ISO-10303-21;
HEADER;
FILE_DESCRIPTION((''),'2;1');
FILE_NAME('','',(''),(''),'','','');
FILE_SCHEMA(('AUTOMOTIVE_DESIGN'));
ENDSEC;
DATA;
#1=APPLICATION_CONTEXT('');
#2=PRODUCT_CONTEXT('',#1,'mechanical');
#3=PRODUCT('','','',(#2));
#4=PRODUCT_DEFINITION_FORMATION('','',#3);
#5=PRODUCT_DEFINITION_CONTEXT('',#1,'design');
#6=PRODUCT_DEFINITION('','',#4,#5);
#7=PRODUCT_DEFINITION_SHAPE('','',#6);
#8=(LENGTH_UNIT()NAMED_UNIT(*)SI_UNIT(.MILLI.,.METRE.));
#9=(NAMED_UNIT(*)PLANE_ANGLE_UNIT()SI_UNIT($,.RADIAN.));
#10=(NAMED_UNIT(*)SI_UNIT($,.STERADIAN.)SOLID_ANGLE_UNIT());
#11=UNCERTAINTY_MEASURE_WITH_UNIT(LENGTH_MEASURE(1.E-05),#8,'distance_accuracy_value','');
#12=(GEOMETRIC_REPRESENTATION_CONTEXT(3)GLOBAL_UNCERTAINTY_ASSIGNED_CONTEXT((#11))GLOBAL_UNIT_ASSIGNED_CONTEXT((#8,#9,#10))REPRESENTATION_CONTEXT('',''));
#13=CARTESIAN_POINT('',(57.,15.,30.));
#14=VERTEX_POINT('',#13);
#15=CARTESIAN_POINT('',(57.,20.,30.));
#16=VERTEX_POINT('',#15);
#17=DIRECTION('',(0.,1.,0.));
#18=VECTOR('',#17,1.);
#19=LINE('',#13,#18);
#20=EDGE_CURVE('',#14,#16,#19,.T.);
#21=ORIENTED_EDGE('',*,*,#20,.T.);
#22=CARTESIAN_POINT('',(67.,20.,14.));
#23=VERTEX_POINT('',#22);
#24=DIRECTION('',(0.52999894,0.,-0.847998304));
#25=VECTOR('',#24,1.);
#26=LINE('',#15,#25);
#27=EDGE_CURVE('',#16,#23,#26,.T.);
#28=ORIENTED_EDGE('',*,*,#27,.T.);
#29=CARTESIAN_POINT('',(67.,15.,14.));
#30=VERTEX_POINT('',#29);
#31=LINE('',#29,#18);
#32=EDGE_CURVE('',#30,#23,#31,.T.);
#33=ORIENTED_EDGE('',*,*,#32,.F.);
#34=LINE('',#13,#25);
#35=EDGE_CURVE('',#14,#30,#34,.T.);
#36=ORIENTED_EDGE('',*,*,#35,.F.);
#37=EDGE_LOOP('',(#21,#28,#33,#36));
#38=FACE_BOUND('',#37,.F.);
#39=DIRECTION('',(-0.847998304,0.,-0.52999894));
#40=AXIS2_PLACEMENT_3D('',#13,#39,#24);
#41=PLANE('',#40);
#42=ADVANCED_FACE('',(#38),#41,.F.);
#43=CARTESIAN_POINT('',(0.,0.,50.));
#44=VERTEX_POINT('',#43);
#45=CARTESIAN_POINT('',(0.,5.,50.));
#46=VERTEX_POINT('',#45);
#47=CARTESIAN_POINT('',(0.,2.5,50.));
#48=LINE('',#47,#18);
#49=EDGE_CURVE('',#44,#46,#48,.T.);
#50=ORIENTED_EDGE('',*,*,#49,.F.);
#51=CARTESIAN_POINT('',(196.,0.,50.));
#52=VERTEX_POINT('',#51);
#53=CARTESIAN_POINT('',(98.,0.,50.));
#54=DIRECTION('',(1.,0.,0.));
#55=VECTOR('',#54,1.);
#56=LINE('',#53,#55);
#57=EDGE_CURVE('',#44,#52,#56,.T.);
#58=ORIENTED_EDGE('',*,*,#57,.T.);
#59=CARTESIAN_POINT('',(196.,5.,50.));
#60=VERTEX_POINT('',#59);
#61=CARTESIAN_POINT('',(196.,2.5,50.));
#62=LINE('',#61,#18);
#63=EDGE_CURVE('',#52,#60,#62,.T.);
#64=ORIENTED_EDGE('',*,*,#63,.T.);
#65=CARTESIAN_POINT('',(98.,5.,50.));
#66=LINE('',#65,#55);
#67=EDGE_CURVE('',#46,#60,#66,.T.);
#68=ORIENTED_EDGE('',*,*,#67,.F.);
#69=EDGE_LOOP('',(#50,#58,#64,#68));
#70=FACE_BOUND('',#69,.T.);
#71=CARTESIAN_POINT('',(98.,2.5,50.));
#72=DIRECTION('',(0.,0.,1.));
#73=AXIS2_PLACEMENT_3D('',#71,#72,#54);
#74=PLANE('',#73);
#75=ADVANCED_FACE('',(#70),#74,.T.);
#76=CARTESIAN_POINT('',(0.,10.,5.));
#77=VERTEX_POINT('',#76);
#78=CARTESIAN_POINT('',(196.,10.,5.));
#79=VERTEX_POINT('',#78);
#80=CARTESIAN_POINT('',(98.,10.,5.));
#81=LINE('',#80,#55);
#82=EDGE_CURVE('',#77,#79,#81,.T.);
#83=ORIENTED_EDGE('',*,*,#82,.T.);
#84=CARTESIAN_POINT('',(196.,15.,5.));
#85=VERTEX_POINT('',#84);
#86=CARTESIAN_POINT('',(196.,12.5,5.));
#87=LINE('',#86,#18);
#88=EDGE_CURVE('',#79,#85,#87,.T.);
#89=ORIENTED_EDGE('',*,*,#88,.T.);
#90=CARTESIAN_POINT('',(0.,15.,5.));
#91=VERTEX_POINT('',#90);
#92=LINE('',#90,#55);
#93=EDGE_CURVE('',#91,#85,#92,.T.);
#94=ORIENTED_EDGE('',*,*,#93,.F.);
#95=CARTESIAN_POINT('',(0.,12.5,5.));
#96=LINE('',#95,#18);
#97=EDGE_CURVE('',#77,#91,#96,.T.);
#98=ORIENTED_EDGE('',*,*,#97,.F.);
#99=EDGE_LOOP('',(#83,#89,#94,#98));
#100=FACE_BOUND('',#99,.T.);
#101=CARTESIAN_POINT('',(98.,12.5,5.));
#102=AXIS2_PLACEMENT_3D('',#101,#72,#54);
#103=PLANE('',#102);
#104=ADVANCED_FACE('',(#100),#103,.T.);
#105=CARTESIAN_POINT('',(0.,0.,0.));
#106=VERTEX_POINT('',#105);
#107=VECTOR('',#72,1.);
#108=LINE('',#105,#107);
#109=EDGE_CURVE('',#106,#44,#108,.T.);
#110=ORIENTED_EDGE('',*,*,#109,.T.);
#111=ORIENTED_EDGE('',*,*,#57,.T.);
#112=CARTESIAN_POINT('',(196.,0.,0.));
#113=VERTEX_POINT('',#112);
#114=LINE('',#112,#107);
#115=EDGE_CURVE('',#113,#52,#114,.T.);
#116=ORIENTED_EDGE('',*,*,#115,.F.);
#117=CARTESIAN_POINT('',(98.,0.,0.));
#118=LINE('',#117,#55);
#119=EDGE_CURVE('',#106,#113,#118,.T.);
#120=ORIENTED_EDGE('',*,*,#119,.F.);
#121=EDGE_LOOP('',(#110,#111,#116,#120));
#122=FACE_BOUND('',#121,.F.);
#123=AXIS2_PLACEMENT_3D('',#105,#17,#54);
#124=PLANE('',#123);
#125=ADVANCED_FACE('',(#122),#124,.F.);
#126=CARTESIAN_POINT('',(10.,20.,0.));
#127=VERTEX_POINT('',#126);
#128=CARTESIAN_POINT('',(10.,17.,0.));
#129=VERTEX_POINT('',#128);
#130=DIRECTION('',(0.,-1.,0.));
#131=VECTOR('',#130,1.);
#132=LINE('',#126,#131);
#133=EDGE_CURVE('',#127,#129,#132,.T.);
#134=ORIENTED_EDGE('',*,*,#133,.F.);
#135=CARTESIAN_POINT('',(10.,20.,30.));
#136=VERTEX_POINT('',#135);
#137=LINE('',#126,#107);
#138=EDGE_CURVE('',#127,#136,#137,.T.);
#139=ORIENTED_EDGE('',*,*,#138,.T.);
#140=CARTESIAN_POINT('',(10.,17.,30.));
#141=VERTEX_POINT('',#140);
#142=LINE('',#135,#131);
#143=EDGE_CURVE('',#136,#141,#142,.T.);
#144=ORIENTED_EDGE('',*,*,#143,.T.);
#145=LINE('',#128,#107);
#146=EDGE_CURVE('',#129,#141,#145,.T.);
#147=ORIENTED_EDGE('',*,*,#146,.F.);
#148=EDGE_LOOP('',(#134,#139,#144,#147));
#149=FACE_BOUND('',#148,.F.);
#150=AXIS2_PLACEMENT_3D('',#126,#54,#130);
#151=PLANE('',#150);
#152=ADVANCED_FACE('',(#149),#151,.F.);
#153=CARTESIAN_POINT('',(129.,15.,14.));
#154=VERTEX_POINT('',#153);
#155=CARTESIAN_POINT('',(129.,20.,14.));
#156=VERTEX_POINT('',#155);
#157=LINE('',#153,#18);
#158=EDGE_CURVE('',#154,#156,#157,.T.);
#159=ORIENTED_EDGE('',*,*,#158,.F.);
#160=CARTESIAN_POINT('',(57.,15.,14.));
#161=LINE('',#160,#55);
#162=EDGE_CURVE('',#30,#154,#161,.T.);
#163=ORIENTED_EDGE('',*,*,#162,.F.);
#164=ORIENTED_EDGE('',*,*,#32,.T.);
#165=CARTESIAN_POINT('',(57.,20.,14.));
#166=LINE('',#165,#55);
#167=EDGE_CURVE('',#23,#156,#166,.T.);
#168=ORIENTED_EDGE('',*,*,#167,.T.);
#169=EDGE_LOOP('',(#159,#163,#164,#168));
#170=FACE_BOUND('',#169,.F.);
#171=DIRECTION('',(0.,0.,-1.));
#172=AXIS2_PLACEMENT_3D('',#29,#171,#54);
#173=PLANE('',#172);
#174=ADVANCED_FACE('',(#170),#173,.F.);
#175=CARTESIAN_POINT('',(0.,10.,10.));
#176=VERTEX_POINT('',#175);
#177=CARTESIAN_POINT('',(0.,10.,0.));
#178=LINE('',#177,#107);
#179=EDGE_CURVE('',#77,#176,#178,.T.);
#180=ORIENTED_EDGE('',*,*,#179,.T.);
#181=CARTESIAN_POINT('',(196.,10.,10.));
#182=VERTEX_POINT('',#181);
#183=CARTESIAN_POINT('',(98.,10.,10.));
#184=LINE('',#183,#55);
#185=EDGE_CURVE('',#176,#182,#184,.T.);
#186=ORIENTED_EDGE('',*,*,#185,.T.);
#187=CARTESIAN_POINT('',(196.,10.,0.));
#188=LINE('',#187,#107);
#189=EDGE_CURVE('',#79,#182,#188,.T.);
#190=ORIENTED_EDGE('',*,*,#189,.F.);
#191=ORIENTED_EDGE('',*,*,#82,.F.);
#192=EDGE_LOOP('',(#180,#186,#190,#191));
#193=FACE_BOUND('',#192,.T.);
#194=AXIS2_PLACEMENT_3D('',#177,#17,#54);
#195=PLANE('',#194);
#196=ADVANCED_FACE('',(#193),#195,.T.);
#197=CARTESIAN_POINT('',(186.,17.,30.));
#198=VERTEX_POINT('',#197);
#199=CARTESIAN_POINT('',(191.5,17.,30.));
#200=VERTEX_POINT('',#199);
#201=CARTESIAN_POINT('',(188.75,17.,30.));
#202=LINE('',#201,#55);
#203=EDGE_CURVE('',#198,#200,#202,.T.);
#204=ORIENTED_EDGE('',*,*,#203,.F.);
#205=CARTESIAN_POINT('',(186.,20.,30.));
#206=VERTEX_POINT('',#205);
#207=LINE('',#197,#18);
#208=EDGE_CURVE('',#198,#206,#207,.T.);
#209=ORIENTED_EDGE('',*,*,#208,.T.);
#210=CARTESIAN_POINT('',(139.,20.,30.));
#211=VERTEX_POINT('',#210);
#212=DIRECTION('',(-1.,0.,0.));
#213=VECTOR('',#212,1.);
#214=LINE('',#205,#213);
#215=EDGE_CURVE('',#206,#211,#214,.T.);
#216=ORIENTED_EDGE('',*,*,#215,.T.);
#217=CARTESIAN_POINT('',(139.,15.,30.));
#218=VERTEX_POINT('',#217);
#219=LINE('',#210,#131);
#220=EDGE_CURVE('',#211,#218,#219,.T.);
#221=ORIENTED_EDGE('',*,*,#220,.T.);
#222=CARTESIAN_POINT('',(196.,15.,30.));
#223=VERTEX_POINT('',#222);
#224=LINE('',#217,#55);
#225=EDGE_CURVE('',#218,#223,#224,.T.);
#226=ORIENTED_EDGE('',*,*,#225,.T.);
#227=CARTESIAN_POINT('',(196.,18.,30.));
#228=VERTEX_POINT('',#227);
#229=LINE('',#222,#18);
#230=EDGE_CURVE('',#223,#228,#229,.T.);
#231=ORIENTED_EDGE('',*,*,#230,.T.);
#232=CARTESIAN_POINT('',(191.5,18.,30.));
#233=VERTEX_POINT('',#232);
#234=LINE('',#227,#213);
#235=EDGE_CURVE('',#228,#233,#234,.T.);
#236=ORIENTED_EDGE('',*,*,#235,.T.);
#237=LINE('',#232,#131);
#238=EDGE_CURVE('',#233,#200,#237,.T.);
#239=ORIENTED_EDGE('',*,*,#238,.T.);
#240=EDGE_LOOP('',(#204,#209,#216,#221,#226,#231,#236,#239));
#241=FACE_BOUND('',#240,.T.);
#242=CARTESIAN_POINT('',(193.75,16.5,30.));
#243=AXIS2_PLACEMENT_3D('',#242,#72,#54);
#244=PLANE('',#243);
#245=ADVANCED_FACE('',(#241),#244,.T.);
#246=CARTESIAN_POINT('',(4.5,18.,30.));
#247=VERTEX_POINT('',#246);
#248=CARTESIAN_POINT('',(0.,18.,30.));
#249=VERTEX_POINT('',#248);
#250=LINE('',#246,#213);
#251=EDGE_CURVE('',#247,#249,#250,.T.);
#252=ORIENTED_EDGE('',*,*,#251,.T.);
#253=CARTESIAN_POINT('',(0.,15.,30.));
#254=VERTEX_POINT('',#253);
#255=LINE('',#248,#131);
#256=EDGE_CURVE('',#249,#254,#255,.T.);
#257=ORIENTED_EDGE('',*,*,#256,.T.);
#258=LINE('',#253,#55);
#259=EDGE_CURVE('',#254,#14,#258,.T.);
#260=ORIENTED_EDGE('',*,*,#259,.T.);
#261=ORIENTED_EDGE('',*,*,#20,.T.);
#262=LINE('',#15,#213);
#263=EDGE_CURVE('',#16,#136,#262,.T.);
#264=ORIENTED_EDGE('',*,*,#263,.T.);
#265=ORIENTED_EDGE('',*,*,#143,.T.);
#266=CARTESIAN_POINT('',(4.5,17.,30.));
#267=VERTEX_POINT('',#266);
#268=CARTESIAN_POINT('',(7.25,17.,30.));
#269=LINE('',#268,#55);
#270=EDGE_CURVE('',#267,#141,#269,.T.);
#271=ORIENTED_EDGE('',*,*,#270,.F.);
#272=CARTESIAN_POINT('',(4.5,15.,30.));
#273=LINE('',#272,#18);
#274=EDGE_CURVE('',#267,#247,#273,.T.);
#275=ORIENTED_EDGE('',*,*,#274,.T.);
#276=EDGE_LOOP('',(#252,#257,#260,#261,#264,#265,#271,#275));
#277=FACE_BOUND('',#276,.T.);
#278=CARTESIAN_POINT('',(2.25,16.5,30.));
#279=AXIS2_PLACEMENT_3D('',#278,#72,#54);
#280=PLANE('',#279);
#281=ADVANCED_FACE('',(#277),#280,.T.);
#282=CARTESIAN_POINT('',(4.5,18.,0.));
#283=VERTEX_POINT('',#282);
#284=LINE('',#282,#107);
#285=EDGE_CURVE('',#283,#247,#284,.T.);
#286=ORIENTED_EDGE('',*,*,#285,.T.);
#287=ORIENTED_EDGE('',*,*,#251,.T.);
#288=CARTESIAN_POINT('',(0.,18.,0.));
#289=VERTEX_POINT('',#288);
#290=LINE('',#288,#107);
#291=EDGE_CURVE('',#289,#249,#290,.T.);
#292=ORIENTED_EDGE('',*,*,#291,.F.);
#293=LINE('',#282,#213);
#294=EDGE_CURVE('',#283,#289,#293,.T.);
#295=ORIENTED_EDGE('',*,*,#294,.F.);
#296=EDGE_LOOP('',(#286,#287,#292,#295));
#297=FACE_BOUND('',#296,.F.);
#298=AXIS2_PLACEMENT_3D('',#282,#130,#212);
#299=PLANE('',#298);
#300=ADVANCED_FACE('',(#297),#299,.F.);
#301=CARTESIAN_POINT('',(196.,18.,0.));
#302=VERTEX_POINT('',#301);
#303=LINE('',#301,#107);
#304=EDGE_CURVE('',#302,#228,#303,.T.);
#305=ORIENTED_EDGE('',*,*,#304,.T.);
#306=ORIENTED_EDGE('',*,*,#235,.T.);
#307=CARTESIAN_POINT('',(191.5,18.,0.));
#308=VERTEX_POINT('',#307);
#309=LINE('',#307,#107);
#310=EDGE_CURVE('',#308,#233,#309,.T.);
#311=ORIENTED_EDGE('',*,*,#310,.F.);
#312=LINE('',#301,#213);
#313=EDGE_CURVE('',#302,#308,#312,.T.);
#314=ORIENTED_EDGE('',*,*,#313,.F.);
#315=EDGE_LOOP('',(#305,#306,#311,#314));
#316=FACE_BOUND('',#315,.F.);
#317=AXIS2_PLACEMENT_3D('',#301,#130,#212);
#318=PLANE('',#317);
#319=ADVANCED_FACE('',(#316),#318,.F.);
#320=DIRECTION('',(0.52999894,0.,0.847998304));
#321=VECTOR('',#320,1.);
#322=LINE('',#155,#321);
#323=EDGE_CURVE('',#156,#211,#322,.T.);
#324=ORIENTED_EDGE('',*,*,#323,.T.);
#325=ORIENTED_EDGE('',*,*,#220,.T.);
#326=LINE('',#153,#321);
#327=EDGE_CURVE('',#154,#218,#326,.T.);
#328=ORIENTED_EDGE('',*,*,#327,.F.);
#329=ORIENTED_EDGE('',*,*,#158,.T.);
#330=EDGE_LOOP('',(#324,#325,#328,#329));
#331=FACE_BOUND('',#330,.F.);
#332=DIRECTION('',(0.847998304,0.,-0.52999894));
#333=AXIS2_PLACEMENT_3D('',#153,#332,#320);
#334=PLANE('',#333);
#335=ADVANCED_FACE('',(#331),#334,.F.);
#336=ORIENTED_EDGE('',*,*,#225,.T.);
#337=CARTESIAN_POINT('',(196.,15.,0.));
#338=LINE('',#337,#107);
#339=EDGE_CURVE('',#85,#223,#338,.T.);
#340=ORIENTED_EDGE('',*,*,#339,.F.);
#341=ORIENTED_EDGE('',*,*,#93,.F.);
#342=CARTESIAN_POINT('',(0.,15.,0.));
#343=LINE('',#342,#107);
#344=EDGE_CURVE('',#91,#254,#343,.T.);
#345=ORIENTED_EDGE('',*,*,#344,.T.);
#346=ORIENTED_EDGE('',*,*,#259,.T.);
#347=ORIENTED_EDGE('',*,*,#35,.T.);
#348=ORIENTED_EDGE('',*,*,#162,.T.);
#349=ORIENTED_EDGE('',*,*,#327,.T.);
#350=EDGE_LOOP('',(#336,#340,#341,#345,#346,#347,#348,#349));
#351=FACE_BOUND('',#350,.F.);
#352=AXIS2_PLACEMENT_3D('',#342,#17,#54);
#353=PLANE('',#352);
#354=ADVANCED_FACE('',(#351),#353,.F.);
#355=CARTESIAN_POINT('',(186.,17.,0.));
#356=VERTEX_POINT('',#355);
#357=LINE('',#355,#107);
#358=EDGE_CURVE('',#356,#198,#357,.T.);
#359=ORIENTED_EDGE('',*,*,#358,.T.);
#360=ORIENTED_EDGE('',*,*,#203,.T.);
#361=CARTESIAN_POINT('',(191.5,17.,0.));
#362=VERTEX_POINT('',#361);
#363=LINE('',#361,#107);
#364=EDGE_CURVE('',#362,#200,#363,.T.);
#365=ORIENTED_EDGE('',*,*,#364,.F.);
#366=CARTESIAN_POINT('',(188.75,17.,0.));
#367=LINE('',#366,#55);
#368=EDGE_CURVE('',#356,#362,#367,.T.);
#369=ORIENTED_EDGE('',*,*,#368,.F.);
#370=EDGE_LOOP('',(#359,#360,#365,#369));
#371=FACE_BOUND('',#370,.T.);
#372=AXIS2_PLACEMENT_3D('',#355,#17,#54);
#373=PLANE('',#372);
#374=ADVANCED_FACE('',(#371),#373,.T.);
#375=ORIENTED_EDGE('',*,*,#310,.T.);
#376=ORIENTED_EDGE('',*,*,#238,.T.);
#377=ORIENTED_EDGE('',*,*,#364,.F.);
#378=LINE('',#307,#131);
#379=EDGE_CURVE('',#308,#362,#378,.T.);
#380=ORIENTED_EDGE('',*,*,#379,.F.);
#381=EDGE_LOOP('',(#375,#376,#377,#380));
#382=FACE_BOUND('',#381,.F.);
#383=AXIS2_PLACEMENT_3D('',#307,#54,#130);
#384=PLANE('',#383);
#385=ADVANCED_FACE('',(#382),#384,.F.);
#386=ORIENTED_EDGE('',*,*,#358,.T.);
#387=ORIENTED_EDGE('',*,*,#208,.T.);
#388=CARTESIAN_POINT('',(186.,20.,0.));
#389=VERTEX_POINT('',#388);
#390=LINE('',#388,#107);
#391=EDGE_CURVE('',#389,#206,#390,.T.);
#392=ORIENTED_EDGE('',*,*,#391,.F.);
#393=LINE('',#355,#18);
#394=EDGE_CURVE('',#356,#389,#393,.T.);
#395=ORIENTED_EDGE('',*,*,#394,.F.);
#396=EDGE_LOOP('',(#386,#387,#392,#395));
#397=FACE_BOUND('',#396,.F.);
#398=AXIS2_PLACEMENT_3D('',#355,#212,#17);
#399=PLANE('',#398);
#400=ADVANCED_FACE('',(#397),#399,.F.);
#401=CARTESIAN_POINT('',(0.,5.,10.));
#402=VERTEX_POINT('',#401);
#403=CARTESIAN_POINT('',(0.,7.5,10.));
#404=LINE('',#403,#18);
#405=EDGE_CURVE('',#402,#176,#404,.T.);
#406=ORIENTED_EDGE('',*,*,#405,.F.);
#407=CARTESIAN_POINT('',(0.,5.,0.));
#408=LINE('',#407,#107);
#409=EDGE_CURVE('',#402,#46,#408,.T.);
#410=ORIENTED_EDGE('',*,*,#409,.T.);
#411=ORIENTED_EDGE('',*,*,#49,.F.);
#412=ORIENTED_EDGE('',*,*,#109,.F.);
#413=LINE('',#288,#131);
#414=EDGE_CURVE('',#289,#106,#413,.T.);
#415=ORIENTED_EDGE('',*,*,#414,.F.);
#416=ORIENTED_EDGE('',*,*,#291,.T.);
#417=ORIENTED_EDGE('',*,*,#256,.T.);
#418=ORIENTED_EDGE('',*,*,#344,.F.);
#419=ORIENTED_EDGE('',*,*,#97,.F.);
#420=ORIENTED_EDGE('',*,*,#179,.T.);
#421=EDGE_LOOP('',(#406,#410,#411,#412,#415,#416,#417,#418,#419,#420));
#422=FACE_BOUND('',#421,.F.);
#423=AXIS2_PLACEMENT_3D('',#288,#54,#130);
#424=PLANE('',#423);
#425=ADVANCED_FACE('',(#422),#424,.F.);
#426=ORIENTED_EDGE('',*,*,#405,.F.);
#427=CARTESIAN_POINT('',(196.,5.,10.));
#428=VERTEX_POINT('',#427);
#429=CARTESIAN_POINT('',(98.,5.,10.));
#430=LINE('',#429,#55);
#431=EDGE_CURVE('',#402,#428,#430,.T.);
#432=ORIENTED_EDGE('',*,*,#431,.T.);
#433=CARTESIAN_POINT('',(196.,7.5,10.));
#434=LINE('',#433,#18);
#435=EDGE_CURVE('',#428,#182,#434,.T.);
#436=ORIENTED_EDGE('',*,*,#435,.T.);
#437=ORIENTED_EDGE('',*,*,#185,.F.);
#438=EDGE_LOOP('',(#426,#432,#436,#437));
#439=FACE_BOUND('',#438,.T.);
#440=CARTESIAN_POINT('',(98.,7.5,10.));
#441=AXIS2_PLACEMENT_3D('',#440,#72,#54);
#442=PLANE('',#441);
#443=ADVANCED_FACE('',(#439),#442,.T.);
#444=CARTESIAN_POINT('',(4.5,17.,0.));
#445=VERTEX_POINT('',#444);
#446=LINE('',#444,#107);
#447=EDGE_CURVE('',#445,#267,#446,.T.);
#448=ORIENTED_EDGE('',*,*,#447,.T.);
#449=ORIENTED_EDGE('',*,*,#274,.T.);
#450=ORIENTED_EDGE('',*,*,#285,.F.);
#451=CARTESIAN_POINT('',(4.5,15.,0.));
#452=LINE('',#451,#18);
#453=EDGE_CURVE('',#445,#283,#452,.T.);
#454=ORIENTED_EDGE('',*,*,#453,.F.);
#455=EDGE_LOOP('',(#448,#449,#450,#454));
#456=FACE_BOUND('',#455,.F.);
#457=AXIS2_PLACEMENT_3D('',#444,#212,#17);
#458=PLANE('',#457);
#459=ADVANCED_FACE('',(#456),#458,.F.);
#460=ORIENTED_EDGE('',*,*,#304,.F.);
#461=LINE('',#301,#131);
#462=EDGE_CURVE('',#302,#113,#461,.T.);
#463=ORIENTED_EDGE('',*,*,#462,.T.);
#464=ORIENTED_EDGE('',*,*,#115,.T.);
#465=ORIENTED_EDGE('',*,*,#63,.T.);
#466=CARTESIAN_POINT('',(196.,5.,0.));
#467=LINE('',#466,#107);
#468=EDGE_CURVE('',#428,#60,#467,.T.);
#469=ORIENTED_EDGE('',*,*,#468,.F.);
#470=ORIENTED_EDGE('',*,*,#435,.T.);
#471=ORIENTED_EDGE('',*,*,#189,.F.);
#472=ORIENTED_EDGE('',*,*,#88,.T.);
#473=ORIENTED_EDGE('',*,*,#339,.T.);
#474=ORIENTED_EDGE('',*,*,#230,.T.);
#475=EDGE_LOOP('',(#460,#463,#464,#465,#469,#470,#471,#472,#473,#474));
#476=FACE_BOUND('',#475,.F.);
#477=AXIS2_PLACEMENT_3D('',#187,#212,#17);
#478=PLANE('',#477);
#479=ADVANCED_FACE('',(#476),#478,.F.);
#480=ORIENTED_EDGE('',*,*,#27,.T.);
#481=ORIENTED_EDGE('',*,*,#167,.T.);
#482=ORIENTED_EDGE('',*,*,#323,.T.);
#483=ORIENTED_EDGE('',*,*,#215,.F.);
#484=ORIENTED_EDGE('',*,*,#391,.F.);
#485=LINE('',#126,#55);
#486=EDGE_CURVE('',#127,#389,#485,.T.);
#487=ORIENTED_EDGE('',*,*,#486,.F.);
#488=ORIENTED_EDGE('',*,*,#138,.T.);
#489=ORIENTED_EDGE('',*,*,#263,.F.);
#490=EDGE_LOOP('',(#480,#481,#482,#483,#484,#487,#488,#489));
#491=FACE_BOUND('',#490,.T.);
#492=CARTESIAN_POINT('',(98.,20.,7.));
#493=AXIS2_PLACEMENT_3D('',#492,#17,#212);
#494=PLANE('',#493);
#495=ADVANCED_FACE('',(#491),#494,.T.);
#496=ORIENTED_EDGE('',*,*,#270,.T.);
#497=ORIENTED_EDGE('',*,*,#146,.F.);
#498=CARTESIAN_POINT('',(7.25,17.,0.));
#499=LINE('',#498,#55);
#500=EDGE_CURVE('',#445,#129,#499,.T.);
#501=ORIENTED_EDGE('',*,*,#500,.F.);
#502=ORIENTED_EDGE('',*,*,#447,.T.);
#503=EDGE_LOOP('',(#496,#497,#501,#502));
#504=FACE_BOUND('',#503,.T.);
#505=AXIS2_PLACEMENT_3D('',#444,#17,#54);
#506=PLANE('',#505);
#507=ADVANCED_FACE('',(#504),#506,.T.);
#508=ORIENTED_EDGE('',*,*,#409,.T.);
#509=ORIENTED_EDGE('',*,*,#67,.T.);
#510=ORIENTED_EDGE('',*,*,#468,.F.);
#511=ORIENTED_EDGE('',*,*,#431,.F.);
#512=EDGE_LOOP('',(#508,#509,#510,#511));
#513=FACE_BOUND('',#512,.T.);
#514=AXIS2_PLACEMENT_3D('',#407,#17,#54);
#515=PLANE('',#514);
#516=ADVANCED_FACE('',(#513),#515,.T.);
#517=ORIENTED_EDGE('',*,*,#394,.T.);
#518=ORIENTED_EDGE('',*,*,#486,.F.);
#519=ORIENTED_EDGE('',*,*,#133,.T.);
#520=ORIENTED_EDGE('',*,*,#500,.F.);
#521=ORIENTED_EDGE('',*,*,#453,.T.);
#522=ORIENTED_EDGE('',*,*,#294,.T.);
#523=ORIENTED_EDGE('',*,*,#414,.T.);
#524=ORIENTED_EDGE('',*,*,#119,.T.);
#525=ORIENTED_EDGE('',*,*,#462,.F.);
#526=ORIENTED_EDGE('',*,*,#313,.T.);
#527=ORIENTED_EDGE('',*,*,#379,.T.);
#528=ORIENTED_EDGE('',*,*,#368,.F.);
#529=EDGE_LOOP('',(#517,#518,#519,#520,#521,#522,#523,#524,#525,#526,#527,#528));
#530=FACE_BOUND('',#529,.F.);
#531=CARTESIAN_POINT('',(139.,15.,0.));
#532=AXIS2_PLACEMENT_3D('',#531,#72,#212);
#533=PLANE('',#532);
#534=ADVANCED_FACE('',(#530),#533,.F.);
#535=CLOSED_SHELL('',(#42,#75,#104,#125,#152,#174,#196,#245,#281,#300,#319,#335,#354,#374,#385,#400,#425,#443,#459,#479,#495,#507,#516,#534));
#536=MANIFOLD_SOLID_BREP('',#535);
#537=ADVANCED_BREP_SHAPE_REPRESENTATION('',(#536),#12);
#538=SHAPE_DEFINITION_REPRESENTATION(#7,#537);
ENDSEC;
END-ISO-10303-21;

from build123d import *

# Parameters (mm, degrees)
F0_W     = 196
F0_H     = 5
F1_DEPTH = 50
F2_W     = 196
F2_H     = 5
F3_DEPTH = 10
F4_W     = 196
F4_H     = 5
F5_DEPTH = 5
F6_W     = 5.5
F6_H     = 2
F7_DEPTH = 30
F9_DEPTH = 5


with BuildPart() as f1:
    # F0 (on Top) → F1 (new body)
    with BuildSketch(Plane.XY):
        with Locations((98, 2.5)):
            Rectangle(F0_W, F0_H)
    extrude(amount=F1_DEPTH)

    # F2 (on Top) → F3 (join)
    with BuildSketch(Plane.XY):
        with Locations((98, 7.5)):
            Rectangle(F2_W, F2_H)
    extrude(amount=F3_DEPTH)

    # F4 (on Top) → F5 (join)
    with BuildSketch(Plane.XY):
        with Locations((98, 12.5)):
            Rectangle(F4_W, F4_H)
    extrude(amount=F5_DEPTH)

    # F6 (on Top) → F7 (join)
    with BuildSketch(Plane.XY):
        Polygon((0, 18), (0, 15), (4.5, 15), (4.5, 17), (4.5, 18), align=None)
        with Locations((7.25, 16)):
            Rectangle(F6_W, F6_H)
        Polygon((10, 17), (10, 15), (57, 15), (57, 20), (10, 20), align=None)
        Polygon((191.5, 15), (196, 15), (196, 18), (191.5, 18), (191.5, 17), align=None)
        with Locations((188.75, 16)):
            Rectangle(F6_W, F6_H)
        Polygon((139, 15), (186, 15), (186, 17), (186, 20), (139, 20), align=None)
    extrude(amount=F7_DEPTH)

    # F8 (on face) → F9 (join)
    with BuildSketch(Plane(origin=(0, 15, 0), x_dir=(-1, 0, 0), z_dir=(0, 1, 0))):
        Polygon((-139, 0), (-57, 0), (-57, 14), (-67, 14), (-129, 14), (-139, 14), align=None)
        Polygon((-67, 14), (-57, 14), (-57, 30), align=None)
        Polygon((-139, 30), (-139, 14), (-129, 14), align=None)
    extrude(amount=F9_DEPTH)


solid = f1.part
